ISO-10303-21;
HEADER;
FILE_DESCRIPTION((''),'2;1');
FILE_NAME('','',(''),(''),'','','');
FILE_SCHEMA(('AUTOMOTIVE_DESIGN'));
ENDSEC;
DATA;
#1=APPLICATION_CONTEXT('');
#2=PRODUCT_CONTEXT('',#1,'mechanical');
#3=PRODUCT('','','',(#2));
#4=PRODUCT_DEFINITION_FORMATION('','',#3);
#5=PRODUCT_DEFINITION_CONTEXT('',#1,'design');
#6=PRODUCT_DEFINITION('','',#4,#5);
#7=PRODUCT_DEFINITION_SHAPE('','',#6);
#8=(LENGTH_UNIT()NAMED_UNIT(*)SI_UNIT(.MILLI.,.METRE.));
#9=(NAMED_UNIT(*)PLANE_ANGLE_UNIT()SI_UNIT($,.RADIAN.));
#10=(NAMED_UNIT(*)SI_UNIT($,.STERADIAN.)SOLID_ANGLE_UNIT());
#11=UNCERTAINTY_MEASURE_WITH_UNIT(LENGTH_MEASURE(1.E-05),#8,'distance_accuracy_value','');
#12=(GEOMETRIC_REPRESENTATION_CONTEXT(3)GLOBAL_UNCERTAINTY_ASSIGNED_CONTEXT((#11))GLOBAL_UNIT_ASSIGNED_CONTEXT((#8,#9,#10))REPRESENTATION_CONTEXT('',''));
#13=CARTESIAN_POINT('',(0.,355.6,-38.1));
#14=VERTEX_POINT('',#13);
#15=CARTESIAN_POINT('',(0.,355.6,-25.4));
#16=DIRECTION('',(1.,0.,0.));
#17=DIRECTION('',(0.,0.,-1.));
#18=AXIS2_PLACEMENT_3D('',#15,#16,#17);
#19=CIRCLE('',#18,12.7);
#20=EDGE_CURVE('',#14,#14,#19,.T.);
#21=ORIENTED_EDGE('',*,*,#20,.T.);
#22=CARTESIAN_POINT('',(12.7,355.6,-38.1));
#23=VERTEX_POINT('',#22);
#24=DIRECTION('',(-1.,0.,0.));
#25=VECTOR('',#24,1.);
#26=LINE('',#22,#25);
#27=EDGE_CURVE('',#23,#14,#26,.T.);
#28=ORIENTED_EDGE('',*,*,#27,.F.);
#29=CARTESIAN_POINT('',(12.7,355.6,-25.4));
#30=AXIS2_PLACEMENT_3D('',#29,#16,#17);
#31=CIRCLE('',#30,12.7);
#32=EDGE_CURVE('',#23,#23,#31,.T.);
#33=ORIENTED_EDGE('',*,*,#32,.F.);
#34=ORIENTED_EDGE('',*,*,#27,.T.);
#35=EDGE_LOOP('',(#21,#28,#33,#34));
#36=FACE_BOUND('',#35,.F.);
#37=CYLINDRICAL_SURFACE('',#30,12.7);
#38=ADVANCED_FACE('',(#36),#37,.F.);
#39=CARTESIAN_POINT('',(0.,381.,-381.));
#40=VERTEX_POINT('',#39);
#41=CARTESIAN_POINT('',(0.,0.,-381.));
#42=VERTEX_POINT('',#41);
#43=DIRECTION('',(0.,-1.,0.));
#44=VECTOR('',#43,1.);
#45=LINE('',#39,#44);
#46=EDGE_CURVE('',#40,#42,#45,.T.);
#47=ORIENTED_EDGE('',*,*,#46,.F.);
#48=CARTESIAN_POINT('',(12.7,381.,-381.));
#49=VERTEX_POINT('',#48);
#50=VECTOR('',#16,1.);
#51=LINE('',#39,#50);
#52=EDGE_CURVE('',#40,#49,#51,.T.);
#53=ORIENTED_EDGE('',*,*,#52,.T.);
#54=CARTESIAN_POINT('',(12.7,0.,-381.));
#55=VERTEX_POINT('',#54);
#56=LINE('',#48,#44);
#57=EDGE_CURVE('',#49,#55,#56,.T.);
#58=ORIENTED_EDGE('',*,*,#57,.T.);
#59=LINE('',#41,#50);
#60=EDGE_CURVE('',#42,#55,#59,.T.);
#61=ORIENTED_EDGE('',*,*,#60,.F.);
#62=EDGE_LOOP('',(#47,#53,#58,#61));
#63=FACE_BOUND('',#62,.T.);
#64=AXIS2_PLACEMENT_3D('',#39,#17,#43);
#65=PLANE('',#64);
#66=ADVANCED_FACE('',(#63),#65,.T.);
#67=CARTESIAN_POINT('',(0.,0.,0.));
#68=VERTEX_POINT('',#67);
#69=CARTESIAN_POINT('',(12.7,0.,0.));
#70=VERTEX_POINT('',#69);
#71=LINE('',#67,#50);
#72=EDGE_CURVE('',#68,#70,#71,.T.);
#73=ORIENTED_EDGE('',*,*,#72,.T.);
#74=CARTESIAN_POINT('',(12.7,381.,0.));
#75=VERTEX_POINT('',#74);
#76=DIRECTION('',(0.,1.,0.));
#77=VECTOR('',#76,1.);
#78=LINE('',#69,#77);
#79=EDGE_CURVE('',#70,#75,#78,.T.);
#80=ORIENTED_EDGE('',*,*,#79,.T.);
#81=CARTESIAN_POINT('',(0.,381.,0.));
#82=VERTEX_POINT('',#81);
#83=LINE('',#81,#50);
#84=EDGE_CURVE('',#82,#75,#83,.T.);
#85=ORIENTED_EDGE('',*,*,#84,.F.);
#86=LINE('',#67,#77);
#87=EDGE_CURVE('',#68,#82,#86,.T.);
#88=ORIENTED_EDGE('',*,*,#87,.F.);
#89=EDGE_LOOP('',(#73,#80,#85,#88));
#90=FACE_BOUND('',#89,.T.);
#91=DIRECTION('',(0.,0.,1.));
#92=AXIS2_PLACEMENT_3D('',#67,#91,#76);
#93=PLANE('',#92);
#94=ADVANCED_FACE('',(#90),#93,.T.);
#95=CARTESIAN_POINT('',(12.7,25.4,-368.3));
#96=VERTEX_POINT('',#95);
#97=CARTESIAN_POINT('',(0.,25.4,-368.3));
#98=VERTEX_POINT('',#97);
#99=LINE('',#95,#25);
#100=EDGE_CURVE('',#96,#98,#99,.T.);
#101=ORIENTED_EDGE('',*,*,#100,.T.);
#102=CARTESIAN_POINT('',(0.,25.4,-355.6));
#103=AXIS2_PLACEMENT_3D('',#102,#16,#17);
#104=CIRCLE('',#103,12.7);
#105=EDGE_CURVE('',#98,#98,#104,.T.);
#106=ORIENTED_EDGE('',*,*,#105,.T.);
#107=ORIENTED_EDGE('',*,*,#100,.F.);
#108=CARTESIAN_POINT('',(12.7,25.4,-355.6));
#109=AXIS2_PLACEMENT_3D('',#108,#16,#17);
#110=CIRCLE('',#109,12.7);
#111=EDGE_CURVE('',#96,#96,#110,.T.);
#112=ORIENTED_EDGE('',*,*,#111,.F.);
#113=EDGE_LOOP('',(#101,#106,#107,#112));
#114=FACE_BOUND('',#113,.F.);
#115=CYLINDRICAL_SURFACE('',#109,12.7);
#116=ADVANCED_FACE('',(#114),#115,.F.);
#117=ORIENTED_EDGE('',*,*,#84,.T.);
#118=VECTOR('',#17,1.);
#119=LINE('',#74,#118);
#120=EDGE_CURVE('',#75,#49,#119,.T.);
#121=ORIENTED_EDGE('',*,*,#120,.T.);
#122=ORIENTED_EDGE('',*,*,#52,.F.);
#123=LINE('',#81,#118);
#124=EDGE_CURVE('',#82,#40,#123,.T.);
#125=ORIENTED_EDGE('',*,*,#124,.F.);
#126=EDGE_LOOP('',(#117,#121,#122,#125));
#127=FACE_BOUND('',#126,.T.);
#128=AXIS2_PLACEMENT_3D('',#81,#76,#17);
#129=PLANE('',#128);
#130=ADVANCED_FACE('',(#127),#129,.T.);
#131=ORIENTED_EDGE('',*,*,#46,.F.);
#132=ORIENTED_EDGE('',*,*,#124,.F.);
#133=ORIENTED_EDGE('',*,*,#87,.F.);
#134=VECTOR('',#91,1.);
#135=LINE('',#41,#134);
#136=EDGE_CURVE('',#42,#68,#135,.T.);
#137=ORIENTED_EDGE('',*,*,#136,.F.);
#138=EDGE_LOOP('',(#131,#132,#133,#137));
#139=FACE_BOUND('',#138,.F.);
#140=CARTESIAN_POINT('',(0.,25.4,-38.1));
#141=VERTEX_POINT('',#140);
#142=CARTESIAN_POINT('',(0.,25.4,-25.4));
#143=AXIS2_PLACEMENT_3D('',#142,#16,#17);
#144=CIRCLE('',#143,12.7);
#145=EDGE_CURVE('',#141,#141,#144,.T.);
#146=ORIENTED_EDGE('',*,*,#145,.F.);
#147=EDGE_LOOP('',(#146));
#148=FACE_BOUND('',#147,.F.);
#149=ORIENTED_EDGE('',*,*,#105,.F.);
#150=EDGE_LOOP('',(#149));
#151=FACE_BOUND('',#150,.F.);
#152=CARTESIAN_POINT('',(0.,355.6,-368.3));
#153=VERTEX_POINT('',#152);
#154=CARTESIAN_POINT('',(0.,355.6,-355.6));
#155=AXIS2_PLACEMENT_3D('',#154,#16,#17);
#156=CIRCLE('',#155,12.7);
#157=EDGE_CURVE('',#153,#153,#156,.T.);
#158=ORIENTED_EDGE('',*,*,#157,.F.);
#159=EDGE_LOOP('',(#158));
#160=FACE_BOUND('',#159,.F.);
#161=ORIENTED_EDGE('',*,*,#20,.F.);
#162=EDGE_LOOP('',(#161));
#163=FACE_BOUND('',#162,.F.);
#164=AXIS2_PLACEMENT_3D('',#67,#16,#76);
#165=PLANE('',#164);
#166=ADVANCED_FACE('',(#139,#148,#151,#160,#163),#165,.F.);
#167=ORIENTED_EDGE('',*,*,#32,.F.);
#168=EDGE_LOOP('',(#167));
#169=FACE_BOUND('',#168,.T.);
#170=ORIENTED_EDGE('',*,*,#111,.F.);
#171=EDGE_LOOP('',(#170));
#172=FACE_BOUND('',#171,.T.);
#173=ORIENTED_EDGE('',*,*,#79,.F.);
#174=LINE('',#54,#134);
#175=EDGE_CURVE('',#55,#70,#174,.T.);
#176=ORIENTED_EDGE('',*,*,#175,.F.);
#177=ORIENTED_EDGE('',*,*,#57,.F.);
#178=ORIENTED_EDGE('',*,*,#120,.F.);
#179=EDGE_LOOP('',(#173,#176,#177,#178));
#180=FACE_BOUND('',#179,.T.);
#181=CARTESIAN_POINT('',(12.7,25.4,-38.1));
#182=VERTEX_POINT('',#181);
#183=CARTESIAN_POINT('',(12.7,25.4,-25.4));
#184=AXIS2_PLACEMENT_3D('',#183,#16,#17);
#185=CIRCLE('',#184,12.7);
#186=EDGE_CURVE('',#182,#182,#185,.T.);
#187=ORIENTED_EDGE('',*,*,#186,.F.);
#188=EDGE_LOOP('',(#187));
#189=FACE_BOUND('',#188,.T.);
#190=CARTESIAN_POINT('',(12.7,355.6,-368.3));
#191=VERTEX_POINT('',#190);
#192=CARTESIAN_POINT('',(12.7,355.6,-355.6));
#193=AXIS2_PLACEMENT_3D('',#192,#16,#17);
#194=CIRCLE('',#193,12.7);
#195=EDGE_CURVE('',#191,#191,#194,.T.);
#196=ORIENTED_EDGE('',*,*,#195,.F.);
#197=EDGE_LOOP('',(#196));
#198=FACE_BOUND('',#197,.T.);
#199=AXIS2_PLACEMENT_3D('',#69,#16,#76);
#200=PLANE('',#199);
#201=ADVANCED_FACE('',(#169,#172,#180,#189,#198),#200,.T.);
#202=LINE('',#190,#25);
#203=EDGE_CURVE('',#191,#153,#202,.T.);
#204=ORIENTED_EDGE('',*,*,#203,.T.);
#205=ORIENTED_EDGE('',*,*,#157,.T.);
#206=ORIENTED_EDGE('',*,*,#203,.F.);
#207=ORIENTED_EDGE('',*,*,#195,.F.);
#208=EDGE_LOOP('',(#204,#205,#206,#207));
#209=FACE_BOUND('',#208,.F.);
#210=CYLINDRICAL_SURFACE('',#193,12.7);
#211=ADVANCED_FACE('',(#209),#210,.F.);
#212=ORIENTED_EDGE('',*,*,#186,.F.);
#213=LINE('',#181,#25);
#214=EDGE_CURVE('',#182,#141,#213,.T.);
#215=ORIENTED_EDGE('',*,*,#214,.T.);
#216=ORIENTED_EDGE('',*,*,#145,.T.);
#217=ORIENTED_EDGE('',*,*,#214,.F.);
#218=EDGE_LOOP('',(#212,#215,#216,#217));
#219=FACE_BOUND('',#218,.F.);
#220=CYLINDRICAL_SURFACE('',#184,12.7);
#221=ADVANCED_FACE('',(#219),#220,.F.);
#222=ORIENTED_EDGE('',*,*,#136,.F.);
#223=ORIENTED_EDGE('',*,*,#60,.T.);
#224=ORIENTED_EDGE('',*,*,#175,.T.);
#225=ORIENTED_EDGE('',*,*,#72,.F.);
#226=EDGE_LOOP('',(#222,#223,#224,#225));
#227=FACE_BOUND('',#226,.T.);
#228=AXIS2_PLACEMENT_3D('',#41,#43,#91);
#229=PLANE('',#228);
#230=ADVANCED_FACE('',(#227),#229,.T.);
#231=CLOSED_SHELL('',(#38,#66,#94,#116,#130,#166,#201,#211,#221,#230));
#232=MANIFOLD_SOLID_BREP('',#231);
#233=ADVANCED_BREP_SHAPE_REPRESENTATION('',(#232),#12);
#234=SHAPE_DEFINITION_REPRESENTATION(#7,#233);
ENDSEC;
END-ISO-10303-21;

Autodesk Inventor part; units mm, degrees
ref_plane "YZ Plane" through (0, 0, 0) normal (1, 0, 0) x (0, 1, 0)
ref_plane "XZ Plane" through (0, 0, 0) normal (0, 1, 0) x (-1, 0, 0)
ref_plane "XY Plane" through (0, 0, 0) normal (0, 0, 1) x (1, 0, 0)
sketch "Sketch1" plane through (0, 0, 0) normal (1, 0, 0) x (0, 1, 0)
  line L0 (0, 0) -> (381, 0)
  line L1 (381, 0) -> (381, -381)
  line L2 (381, -381) -> (0, -381)
  line L3 (0, -381) -> (0, 0)
extrude "Extrusion1" add sketch "Sketch1" along normal blind 12.7
sketch "Sketch2" plane through (12.7, 0, 0) normal (1, 0, 0) x (0, 0, -1)
  circle A0 centre (25.4, 25.4) radius 12.7
  line L0 (0, 0) -> (381, 0) projected
  line L1 (0, 381) -> (0, 0) projected
extrude "Extrusion2" cut sketch "Sketch2" against normal blind 12.7
sketch "Sketch3" plane through (12.7, 0, 0) normal (1, 0, 0) x (0, 0, -1)
  circle A0 centre (355.6, 25.4) radius 12.7
  line L0 (381, 0) -> (381, 381) projected
  line L1 (0, 0) -> (381, 0) projected
extrude "Extrusion3" cut sketch "Sketch3" against normal blind 12.7
sketch "Sketch4" plane through (12.7, 0, 0) normal (1, 0, 0) x (0, 0, -1)
  circle A0 centre (25.4, 355.6) radius 12.7
  line L0 (0, 381) -> (0, 0) projected
  line L1 (381, 381) -> (0, 381) projected
extrude "Extrusion4" cut sketch "Sketch4" against normal blind 12.7
sketch "Sketch5" plane through (12.7, 0, 0) normal (1, 0, 0) x (0, 0, -1)
  circle A0 centre (355.6, 355.6) radius 12.7
  line L0 (381, 0) -> (381, 381) projected
  line L1 (381, 381) -> (0, 381) projected
  point P0 (0, 0)
extrude "Extrusion5" cut sketch "Sketch5" against normal blind 12.7
properties part number "right side"
